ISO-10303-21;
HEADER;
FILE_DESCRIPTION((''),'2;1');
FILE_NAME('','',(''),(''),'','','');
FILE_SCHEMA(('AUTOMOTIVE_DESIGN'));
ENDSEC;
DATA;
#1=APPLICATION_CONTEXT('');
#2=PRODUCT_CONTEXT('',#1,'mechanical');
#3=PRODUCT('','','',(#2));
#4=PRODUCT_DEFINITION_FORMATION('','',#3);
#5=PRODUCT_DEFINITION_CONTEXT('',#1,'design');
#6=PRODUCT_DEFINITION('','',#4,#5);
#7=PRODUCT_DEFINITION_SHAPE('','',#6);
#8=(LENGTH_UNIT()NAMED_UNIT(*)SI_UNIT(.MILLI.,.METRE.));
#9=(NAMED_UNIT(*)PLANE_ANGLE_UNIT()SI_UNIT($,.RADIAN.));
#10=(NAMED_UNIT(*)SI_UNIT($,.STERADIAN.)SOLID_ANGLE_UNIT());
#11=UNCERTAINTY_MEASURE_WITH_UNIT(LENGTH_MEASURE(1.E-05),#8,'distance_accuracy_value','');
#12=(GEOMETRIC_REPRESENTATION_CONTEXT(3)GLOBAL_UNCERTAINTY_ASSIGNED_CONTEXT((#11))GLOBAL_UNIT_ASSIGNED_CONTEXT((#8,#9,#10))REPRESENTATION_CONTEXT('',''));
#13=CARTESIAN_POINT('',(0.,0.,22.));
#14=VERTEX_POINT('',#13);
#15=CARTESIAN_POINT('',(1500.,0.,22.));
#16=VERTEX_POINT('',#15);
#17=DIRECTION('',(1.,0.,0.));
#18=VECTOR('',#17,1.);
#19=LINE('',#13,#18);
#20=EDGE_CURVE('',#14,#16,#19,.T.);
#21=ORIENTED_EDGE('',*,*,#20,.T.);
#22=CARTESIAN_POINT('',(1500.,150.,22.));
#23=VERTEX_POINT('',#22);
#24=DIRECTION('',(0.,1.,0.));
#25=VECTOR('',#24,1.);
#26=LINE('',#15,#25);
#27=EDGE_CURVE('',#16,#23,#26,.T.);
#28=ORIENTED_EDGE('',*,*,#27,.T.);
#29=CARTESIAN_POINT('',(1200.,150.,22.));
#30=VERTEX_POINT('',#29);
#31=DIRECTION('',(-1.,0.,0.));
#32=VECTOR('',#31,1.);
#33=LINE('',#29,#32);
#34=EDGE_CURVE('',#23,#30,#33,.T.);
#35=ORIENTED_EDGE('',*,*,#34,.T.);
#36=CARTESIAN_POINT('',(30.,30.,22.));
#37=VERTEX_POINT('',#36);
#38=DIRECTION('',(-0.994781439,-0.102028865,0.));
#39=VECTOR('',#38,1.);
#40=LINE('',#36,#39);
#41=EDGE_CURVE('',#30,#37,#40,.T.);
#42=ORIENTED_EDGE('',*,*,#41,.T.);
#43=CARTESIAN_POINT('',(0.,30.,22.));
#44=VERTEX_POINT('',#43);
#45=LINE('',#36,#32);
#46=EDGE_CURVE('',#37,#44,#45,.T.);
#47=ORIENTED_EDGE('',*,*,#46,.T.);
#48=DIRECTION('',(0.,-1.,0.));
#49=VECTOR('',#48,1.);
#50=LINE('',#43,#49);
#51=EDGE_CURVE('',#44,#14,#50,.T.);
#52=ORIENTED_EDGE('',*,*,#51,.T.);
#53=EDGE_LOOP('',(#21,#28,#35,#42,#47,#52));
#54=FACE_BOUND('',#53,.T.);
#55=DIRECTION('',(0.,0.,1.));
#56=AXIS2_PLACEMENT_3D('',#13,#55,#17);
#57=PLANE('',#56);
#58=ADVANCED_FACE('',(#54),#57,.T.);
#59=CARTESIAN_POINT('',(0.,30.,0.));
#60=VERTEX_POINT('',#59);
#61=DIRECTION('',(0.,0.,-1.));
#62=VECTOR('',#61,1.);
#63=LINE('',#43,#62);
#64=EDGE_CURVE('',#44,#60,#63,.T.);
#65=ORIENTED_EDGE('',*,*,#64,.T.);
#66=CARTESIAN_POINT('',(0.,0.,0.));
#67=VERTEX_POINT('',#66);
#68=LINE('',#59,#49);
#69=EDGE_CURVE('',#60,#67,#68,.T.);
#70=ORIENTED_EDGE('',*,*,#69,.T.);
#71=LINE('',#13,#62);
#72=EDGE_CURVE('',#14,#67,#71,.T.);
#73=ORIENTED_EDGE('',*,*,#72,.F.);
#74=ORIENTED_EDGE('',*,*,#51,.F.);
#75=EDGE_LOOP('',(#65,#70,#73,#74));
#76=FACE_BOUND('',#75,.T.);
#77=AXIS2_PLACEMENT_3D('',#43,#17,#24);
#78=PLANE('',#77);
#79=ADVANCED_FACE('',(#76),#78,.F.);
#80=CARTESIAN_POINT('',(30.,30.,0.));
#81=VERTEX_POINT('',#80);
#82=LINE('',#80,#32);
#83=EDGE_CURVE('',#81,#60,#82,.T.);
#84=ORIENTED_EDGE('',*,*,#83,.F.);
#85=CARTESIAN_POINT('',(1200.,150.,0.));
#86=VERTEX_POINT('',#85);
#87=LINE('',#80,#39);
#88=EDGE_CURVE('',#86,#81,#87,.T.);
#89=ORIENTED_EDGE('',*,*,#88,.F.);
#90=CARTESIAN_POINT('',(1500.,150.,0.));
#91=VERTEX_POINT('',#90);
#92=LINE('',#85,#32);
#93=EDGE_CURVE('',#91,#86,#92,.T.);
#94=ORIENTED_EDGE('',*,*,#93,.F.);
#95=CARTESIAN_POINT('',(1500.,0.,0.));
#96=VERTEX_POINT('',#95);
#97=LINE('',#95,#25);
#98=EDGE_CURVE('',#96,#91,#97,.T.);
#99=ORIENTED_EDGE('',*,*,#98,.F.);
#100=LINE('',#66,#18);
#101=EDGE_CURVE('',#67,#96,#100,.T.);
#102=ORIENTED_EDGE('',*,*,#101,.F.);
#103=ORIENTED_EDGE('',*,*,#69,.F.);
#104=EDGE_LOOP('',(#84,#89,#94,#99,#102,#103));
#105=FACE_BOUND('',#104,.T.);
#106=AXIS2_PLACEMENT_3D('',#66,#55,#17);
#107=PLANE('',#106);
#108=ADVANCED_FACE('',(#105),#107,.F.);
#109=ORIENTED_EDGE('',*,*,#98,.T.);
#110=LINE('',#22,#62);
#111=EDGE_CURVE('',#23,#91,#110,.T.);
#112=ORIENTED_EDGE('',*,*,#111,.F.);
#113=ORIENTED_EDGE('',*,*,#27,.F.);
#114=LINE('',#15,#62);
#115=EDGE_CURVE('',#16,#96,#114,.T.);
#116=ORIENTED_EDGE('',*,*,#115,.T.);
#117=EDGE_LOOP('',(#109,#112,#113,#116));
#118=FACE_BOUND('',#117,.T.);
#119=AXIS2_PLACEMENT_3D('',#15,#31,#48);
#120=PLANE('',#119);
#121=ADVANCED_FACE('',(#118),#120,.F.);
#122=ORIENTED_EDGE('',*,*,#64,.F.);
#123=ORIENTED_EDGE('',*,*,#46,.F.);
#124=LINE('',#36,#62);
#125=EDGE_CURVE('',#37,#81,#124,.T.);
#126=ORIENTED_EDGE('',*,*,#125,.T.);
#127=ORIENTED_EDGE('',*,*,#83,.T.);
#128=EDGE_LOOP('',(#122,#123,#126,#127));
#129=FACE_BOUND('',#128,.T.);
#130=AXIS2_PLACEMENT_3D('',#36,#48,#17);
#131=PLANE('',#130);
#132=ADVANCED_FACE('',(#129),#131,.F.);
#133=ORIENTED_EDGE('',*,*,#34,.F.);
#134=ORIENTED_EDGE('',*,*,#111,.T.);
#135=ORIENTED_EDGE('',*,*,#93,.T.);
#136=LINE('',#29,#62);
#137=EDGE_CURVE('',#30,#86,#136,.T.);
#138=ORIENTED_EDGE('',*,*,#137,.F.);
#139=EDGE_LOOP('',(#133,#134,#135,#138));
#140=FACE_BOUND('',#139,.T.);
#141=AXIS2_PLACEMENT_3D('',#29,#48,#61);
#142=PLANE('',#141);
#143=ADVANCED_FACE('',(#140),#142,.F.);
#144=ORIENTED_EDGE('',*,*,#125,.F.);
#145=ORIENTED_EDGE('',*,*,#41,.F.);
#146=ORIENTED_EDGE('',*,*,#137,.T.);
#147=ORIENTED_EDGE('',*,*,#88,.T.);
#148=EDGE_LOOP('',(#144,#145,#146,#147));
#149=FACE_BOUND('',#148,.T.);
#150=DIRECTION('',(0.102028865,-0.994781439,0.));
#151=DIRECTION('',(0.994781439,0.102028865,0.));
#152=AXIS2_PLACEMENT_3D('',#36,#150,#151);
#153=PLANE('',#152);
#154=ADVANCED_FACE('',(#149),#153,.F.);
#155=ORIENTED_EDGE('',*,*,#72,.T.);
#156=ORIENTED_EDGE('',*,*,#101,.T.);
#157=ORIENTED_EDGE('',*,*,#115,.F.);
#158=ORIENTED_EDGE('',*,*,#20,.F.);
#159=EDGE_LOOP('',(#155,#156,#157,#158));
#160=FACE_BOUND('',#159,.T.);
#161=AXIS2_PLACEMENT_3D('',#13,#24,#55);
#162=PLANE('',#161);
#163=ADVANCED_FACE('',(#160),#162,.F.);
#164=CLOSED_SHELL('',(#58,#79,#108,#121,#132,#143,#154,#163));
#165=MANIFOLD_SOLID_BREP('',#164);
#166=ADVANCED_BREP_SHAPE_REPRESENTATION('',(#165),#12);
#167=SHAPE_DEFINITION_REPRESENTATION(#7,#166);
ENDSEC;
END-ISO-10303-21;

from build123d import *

# Parameters (mm, degrees)
BOSS_EXTRU_1_DEPTH = 22


with BuildPart() as part:
    # Esquisse1 → Boss.-Extru.1 (new body)
    with BuildSketch(Plane.XY):
        Polygon((30, 30), (1200, 150), (1500, 150), (1500, 0), (0, 0), (0, 30), align=None)
    extrude(amount=BOSS_EXTRU_1_DEPTH)


solid = part.part
